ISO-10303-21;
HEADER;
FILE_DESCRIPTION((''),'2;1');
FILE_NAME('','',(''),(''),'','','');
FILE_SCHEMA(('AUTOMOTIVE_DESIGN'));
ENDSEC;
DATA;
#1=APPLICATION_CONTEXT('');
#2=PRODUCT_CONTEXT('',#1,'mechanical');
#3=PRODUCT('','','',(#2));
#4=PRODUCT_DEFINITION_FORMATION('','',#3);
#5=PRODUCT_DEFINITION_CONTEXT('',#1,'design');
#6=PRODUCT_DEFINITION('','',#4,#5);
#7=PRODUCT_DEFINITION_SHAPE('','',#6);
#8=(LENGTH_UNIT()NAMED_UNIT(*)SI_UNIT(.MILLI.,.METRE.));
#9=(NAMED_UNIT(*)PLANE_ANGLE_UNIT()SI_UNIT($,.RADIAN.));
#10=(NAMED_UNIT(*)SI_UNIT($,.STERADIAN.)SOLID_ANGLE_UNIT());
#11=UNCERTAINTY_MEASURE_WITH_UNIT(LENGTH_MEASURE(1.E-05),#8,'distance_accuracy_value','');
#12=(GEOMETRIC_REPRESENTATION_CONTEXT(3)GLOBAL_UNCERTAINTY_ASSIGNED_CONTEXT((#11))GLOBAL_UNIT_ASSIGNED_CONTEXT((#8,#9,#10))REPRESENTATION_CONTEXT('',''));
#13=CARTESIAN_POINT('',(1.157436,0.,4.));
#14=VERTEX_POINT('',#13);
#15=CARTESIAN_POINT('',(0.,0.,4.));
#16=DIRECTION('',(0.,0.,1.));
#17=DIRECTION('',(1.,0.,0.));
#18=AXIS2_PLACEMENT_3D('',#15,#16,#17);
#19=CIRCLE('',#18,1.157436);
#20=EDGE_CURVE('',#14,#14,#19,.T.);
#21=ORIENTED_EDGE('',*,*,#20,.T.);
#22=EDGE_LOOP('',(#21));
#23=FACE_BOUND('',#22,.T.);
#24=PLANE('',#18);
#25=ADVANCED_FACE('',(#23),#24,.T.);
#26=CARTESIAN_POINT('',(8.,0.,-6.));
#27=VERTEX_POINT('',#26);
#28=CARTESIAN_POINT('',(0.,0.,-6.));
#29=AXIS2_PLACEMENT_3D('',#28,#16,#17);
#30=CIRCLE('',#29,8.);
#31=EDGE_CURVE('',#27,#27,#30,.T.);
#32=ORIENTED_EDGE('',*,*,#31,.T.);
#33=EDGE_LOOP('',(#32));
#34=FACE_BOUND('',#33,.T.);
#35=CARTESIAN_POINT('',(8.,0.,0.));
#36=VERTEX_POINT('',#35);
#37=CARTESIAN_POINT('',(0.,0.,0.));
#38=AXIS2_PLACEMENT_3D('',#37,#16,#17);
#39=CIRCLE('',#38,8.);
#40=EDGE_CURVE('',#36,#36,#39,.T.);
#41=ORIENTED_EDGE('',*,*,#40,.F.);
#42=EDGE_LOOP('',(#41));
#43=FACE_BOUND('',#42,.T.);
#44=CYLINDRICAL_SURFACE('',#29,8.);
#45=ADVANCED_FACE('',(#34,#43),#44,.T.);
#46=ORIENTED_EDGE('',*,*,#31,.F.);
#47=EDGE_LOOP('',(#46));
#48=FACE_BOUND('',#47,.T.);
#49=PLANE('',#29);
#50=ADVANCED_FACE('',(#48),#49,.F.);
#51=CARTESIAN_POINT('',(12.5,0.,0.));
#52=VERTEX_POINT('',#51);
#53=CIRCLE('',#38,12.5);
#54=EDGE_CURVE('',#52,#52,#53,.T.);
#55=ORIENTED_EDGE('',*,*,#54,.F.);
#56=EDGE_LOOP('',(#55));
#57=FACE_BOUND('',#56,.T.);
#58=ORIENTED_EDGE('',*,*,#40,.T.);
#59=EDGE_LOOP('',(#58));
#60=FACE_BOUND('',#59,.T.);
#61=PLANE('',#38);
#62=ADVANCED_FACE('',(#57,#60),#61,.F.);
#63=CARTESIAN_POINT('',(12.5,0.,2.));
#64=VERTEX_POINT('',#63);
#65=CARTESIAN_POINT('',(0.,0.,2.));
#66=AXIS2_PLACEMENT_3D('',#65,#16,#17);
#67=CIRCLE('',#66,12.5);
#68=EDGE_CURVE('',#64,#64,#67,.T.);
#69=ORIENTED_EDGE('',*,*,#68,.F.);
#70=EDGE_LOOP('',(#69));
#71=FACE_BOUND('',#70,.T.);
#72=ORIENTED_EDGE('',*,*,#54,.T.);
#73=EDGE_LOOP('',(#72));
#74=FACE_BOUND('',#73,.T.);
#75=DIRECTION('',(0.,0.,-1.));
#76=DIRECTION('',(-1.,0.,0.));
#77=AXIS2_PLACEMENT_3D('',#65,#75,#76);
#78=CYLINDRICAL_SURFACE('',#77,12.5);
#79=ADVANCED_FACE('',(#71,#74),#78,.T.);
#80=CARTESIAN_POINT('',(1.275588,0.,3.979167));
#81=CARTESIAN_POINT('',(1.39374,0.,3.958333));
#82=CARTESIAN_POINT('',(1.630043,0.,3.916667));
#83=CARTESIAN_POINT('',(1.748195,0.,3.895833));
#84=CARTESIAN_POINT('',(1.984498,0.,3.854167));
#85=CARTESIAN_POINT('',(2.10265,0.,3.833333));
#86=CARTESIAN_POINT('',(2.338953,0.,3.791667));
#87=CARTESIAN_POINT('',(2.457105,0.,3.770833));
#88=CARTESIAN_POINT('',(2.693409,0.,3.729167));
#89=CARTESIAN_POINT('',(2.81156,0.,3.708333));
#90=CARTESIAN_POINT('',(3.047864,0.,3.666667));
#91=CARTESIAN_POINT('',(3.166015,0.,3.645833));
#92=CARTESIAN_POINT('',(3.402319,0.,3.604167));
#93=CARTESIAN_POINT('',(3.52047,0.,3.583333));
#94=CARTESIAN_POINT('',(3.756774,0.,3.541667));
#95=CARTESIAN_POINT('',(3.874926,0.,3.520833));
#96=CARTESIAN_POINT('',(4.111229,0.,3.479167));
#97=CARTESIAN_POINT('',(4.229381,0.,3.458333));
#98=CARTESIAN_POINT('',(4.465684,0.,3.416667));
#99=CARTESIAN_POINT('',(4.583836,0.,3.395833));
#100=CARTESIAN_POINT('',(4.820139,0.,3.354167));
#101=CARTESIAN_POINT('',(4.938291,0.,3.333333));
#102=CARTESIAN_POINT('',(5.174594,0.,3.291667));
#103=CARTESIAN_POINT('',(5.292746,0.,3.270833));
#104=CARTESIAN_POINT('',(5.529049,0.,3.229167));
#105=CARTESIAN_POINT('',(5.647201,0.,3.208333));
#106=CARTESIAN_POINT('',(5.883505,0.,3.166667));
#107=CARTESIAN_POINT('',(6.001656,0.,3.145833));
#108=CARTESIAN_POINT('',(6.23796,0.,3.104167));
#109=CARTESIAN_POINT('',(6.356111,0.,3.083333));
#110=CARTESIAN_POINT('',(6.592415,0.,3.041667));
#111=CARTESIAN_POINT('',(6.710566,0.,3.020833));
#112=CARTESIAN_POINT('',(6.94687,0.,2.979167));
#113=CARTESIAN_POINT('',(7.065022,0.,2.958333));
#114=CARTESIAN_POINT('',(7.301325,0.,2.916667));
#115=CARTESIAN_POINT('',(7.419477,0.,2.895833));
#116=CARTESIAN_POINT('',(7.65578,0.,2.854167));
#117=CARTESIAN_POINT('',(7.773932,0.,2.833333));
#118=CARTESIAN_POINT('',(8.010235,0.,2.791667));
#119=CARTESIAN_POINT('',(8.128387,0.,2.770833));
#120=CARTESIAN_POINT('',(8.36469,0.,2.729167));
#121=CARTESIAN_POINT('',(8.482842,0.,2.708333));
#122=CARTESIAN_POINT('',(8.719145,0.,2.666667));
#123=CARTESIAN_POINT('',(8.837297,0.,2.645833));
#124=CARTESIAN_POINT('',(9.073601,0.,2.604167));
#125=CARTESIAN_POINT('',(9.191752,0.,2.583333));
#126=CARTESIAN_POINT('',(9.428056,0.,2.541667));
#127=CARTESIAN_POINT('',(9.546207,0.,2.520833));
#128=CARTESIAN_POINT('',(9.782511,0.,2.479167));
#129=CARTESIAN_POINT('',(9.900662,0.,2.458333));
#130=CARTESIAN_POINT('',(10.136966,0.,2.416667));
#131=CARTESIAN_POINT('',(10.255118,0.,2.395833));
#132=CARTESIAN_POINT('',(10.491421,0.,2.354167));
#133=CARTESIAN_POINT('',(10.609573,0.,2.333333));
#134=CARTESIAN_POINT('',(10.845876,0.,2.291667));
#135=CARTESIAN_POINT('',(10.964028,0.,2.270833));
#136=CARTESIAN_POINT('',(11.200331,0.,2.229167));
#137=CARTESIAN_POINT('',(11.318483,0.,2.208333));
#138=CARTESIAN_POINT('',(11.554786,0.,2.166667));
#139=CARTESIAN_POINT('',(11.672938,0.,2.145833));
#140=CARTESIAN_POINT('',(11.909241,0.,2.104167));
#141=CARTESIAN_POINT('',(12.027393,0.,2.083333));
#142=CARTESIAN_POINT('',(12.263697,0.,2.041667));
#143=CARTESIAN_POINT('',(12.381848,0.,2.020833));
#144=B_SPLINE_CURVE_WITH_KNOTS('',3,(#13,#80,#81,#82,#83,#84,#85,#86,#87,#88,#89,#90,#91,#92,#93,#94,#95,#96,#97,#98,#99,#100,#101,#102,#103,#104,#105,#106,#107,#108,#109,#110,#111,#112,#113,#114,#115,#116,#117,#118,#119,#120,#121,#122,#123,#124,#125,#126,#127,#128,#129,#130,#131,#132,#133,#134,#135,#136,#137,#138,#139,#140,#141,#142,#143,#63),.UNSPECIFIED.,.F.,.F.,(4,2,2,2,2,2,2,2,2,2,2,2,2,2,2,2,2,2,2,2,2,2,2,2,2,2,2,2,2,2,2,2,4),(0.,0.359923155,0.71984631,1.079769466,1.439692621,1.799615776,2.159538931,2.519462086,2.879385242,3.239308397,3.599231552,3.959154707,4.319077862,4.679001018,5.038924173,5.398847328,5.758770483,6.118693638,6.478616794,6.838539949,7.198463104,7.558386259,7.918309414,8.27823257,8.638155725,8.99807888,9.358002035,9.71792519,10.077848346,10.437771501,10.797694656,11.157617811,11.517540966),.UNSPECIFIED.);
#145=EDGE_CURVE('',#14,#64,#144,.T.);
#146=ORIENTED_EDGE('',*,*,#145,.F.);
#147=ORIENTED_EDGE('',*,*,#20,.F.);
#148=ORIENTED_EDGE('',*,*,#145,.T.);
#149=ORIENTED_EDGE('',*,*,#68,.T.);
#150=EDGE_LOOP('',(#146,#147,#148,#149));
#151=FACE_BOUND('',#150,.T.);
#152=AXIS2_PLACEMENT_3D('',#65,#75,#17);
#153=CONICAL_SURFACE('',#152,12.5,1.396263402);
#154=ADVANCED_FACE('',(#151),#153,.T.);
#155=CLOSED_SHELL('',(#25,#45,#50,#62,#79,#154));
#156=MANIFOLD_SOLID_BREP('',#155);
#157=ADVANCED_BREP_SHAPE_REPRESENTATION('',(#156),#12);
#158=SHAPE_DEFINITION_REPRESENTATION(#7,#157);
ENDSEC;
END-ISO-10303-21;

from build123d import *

# Parameters (mm, degrees)
SKETCH1_R           = 8
BOSS_EXTRUDE2_DEPTH = 6
SKETCH5_R           = 12.5
BOSS_EXTRUDE3_DEPTH = 2
SKETCH6_R           = 12.5
BOSS_EXTRUDE4_DEPTH = 2
BOSS_EXTRUDE4_TAPER = 80


with BuildPart() as part:
    # Sketch1 → Boss-Extrude2 (new body)
    with BuildSketch(Plane.XY):
        Circle(SKETCH1_R)
    extrude(amount=-BOSS_EXTRUDE2_DEPTH)

    # Sketch5 → Boss-Extrude3 (add)
    with BuildSketch(Plane.XY):
        Circle(SKETCH5_R)
    extrude(amount=BOSS_EXTRUDE3_DEPTH)

    # Sketch6 → Boss-Extrude4 (add)
    with BuildSketch(Plane.XY.offset(2)):
        Circle(SKETCH6_R)
    extrude(amount=BOSS_EXTRUDE4_DEPTH, taper=BOSS_EXTRUDE4_TAPER)


solid = part.part
